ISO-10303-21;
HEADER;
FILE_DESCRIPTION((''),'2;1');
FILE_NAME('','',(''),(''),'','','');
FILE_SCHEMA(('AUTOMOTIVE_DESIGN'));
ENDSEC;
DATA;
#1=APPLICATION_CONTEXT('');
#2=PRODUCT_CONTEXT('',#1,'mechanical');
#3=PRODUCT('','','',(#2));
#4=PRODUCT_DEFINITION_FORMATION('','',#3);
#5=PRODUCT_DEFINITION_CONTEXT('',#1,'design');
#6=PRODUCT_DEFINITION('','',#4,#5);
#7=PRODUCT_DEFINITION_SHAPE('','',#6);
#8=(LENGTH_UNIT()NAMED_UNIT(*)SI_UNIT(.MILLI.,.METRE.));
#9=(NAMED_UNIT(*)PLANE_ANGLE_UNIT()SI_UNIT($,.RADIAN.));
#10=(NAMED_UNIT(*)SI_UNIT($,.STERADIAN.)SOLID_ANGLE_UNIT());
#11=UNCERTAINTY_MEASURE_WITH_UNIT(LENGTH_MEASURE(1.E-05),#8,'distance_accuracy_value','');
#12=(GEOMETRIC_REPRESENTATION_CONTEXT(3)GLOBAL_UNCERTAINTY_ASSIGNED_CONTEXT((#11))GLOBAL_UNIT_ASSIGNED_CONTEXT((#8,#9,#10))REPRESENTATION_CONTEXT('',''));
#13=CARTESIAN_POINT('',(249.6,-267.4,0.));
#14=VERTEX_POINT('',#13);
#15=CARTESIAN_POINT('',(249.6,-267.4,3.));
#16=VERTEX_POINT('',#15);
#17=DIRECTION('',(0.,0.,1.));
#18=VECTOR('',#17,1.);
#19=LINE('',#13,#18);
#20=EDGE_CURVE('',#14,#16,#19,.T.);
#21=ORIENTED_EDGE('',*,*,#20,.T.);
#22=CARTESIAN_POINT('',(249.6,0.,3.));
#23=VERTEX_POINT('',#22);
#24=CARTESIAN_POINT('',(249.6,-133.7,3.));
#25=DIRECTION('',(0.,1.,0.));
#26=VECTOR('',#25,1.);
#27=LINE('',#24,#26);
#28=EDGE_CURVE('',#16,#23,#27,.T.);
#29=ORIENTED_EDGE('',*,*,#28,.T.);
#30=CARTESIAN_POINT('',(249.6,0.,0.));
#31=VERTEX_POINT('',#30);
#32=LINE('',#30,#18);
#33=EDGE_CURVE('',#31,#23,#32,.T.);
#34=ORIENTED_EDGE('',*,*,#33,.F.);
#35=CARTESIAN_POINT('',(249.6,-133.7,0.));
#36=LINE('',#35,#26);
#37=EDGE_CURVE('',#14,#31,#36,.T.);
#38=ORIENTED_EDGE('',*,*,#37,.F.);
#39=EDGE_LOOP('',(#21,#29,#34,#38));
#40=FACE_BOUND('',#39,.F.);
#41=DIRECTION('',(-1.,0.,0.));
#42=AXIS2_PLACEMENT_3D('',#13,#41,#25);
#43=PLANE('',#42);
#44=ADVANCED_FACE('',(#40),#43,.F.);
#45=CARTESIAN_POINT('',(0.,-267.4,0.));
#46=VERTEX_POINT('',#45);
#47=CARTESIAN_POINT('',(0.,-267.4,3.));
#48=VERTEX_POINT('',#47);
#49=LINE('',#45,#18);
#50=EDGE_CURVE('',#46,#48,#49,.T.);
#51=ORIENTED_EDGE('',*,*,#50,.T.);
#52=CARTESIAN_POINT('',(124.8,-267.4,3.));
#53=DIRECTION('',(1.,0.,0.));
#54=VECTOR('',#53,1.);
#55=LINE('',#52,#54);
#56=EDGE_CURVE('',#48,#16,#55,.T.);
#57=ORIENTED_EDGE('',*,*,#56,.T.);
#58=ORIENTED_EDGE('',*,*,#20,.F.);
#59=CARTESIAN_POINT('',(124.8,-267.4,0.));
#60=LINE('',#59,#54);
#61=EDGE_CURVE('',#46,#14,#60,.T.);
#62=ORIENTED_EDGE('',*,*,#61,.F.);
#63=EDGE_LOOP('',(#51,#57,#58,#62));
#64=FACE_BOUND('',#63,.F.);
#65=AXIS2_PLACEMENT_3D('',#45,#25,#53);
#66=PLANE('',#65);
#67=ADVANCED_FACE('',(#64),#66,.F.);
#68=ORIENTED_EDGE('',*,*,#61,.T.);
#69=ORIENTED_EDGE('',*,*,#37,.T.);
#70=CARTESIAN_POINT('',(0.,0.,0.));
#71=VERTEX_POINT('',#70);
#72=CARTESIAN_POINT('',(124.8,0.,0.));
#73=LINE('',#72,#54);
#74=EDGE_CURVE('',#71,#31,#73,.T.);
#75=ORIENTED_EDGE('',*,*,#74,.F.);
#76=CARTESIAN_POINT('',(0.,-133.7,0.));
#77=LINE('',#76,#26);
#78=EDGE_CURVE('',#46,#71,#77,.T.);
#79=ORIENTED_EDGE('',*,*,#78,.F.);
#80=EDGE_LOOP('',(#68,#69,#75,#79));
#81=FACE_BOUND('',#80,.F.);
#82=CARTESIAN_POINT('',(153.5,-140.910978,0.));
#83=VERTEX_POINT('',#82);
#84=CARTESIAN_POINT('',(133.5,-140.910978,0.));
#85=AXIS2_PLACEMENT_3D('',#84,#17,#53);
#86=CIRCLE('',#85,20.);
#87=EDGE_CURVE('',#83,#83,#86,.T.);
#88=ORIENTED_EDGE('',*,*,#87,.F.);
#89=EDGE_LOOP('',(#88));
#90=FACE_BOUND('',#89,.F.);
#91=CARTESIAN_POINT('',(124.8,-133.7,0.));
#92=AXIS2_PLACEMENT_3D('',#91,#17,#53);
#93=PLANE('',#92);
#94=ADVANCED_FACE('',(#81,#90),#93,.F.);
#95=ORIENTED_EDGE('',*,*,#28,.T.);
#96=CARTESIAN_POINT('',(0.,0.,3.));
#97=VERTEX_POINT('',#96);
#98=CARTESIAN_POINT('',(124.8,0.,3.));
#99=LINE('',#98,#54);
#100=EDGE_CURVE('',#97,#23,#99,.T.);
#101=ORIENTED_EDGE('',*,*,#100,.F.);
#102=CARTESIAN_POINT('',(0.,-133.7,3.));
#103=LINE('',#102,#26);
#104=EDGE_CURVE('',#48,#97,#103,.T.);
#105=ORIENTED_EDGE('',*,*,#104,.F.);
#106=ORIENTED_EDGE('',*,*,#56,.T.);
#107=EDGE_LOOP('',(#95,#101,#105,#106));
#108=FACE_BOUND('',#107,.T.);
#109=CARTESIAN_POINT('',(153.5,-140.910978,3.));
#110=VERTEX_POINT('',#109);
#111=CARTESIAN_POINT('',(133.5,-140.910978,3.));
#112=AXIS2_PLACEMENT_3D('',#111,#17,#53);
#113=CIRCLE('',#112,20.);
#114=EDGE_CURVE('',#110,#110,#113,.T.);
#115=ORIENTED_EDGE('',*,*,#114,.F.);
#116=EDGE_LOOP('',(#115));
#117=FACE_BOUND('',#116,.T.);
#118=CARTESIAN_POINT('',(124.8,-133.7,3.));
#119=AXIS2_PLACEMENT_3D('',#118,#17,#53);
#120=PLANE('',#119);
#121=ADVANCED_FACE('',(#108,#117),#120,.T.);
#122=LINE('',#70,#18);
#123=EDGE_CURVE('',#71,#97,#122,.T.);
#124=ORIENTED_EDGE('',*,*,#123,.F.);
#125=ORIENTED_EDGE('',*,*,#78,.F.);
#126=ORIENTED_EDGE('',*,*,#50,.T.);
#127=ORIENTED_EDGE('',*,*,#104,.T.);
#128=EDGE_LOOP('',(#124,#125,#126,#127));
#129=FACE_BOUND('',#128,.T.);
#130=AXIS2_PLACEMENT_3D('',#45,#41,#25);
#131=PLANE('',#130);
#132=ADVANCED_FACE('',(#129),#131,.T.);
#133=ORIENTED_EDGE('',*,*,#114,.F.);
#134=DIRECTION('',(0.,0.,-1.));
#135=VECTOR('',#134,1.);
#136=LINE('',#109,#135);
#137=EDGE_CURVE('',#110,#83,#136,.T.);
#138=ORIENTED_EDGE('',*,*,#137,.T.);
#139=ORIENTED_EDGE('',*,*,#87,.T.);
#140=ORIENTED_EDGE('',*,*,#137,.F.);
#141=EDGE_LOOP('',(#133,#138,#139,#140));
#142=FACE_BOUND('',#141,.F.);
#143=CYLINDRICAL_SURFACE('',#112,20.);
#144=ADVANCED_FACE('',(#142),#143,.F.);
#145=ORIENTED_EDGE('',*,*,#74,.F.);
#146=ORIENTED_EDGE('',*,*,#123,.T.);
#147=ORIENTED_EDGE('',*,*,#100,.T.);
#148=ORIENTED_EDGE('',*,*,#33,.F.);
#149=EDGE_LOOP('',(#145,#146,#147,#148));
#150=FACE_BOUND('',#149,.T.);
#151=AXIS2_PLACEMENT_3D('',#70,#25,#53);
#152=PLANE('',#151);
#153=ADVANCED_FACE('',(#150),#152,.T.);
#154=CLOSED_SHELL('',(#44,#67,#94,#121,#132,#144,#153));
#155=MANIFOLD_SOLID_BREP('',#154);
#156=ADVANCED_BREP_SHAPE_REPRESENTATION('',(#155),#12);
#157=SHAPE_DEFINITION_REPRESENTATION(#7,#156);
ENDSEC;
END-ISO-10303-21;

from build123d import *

# Parameters (mm, degrees)
SKETCH1_W           = 249.6
SKETCH1_H           = 267.4
BOSS_EXTRUDE1_DEPTH = 3
SKETCH2_R           = 20
CUT_EXTRUDE1_DEPTH  = 4


with BuildPart() as part:
    # Sketch1 → Boss-Extrude1 (new body)
    with BuildSketch(Plane.XY):
        with Locations((124.8, -133.7)):
            Rectangle(SKETCH1_W, SKETCH1_H)
    extrude(amount=BOSS_EXTRUDE1_DEPTH)

    # Sketch2 → Cut-Extrude1 (cut, through all)
    with BuildSketch(Plane.XY.offset(3)):
        with Locations((133.5, -140.910978413)):
            Circle(SKETCH2_R)
    extrude(amount=-CUT_EXTRUDE1_DEPTH, mode=Mode.SUBTRACT)


solid = part.part
